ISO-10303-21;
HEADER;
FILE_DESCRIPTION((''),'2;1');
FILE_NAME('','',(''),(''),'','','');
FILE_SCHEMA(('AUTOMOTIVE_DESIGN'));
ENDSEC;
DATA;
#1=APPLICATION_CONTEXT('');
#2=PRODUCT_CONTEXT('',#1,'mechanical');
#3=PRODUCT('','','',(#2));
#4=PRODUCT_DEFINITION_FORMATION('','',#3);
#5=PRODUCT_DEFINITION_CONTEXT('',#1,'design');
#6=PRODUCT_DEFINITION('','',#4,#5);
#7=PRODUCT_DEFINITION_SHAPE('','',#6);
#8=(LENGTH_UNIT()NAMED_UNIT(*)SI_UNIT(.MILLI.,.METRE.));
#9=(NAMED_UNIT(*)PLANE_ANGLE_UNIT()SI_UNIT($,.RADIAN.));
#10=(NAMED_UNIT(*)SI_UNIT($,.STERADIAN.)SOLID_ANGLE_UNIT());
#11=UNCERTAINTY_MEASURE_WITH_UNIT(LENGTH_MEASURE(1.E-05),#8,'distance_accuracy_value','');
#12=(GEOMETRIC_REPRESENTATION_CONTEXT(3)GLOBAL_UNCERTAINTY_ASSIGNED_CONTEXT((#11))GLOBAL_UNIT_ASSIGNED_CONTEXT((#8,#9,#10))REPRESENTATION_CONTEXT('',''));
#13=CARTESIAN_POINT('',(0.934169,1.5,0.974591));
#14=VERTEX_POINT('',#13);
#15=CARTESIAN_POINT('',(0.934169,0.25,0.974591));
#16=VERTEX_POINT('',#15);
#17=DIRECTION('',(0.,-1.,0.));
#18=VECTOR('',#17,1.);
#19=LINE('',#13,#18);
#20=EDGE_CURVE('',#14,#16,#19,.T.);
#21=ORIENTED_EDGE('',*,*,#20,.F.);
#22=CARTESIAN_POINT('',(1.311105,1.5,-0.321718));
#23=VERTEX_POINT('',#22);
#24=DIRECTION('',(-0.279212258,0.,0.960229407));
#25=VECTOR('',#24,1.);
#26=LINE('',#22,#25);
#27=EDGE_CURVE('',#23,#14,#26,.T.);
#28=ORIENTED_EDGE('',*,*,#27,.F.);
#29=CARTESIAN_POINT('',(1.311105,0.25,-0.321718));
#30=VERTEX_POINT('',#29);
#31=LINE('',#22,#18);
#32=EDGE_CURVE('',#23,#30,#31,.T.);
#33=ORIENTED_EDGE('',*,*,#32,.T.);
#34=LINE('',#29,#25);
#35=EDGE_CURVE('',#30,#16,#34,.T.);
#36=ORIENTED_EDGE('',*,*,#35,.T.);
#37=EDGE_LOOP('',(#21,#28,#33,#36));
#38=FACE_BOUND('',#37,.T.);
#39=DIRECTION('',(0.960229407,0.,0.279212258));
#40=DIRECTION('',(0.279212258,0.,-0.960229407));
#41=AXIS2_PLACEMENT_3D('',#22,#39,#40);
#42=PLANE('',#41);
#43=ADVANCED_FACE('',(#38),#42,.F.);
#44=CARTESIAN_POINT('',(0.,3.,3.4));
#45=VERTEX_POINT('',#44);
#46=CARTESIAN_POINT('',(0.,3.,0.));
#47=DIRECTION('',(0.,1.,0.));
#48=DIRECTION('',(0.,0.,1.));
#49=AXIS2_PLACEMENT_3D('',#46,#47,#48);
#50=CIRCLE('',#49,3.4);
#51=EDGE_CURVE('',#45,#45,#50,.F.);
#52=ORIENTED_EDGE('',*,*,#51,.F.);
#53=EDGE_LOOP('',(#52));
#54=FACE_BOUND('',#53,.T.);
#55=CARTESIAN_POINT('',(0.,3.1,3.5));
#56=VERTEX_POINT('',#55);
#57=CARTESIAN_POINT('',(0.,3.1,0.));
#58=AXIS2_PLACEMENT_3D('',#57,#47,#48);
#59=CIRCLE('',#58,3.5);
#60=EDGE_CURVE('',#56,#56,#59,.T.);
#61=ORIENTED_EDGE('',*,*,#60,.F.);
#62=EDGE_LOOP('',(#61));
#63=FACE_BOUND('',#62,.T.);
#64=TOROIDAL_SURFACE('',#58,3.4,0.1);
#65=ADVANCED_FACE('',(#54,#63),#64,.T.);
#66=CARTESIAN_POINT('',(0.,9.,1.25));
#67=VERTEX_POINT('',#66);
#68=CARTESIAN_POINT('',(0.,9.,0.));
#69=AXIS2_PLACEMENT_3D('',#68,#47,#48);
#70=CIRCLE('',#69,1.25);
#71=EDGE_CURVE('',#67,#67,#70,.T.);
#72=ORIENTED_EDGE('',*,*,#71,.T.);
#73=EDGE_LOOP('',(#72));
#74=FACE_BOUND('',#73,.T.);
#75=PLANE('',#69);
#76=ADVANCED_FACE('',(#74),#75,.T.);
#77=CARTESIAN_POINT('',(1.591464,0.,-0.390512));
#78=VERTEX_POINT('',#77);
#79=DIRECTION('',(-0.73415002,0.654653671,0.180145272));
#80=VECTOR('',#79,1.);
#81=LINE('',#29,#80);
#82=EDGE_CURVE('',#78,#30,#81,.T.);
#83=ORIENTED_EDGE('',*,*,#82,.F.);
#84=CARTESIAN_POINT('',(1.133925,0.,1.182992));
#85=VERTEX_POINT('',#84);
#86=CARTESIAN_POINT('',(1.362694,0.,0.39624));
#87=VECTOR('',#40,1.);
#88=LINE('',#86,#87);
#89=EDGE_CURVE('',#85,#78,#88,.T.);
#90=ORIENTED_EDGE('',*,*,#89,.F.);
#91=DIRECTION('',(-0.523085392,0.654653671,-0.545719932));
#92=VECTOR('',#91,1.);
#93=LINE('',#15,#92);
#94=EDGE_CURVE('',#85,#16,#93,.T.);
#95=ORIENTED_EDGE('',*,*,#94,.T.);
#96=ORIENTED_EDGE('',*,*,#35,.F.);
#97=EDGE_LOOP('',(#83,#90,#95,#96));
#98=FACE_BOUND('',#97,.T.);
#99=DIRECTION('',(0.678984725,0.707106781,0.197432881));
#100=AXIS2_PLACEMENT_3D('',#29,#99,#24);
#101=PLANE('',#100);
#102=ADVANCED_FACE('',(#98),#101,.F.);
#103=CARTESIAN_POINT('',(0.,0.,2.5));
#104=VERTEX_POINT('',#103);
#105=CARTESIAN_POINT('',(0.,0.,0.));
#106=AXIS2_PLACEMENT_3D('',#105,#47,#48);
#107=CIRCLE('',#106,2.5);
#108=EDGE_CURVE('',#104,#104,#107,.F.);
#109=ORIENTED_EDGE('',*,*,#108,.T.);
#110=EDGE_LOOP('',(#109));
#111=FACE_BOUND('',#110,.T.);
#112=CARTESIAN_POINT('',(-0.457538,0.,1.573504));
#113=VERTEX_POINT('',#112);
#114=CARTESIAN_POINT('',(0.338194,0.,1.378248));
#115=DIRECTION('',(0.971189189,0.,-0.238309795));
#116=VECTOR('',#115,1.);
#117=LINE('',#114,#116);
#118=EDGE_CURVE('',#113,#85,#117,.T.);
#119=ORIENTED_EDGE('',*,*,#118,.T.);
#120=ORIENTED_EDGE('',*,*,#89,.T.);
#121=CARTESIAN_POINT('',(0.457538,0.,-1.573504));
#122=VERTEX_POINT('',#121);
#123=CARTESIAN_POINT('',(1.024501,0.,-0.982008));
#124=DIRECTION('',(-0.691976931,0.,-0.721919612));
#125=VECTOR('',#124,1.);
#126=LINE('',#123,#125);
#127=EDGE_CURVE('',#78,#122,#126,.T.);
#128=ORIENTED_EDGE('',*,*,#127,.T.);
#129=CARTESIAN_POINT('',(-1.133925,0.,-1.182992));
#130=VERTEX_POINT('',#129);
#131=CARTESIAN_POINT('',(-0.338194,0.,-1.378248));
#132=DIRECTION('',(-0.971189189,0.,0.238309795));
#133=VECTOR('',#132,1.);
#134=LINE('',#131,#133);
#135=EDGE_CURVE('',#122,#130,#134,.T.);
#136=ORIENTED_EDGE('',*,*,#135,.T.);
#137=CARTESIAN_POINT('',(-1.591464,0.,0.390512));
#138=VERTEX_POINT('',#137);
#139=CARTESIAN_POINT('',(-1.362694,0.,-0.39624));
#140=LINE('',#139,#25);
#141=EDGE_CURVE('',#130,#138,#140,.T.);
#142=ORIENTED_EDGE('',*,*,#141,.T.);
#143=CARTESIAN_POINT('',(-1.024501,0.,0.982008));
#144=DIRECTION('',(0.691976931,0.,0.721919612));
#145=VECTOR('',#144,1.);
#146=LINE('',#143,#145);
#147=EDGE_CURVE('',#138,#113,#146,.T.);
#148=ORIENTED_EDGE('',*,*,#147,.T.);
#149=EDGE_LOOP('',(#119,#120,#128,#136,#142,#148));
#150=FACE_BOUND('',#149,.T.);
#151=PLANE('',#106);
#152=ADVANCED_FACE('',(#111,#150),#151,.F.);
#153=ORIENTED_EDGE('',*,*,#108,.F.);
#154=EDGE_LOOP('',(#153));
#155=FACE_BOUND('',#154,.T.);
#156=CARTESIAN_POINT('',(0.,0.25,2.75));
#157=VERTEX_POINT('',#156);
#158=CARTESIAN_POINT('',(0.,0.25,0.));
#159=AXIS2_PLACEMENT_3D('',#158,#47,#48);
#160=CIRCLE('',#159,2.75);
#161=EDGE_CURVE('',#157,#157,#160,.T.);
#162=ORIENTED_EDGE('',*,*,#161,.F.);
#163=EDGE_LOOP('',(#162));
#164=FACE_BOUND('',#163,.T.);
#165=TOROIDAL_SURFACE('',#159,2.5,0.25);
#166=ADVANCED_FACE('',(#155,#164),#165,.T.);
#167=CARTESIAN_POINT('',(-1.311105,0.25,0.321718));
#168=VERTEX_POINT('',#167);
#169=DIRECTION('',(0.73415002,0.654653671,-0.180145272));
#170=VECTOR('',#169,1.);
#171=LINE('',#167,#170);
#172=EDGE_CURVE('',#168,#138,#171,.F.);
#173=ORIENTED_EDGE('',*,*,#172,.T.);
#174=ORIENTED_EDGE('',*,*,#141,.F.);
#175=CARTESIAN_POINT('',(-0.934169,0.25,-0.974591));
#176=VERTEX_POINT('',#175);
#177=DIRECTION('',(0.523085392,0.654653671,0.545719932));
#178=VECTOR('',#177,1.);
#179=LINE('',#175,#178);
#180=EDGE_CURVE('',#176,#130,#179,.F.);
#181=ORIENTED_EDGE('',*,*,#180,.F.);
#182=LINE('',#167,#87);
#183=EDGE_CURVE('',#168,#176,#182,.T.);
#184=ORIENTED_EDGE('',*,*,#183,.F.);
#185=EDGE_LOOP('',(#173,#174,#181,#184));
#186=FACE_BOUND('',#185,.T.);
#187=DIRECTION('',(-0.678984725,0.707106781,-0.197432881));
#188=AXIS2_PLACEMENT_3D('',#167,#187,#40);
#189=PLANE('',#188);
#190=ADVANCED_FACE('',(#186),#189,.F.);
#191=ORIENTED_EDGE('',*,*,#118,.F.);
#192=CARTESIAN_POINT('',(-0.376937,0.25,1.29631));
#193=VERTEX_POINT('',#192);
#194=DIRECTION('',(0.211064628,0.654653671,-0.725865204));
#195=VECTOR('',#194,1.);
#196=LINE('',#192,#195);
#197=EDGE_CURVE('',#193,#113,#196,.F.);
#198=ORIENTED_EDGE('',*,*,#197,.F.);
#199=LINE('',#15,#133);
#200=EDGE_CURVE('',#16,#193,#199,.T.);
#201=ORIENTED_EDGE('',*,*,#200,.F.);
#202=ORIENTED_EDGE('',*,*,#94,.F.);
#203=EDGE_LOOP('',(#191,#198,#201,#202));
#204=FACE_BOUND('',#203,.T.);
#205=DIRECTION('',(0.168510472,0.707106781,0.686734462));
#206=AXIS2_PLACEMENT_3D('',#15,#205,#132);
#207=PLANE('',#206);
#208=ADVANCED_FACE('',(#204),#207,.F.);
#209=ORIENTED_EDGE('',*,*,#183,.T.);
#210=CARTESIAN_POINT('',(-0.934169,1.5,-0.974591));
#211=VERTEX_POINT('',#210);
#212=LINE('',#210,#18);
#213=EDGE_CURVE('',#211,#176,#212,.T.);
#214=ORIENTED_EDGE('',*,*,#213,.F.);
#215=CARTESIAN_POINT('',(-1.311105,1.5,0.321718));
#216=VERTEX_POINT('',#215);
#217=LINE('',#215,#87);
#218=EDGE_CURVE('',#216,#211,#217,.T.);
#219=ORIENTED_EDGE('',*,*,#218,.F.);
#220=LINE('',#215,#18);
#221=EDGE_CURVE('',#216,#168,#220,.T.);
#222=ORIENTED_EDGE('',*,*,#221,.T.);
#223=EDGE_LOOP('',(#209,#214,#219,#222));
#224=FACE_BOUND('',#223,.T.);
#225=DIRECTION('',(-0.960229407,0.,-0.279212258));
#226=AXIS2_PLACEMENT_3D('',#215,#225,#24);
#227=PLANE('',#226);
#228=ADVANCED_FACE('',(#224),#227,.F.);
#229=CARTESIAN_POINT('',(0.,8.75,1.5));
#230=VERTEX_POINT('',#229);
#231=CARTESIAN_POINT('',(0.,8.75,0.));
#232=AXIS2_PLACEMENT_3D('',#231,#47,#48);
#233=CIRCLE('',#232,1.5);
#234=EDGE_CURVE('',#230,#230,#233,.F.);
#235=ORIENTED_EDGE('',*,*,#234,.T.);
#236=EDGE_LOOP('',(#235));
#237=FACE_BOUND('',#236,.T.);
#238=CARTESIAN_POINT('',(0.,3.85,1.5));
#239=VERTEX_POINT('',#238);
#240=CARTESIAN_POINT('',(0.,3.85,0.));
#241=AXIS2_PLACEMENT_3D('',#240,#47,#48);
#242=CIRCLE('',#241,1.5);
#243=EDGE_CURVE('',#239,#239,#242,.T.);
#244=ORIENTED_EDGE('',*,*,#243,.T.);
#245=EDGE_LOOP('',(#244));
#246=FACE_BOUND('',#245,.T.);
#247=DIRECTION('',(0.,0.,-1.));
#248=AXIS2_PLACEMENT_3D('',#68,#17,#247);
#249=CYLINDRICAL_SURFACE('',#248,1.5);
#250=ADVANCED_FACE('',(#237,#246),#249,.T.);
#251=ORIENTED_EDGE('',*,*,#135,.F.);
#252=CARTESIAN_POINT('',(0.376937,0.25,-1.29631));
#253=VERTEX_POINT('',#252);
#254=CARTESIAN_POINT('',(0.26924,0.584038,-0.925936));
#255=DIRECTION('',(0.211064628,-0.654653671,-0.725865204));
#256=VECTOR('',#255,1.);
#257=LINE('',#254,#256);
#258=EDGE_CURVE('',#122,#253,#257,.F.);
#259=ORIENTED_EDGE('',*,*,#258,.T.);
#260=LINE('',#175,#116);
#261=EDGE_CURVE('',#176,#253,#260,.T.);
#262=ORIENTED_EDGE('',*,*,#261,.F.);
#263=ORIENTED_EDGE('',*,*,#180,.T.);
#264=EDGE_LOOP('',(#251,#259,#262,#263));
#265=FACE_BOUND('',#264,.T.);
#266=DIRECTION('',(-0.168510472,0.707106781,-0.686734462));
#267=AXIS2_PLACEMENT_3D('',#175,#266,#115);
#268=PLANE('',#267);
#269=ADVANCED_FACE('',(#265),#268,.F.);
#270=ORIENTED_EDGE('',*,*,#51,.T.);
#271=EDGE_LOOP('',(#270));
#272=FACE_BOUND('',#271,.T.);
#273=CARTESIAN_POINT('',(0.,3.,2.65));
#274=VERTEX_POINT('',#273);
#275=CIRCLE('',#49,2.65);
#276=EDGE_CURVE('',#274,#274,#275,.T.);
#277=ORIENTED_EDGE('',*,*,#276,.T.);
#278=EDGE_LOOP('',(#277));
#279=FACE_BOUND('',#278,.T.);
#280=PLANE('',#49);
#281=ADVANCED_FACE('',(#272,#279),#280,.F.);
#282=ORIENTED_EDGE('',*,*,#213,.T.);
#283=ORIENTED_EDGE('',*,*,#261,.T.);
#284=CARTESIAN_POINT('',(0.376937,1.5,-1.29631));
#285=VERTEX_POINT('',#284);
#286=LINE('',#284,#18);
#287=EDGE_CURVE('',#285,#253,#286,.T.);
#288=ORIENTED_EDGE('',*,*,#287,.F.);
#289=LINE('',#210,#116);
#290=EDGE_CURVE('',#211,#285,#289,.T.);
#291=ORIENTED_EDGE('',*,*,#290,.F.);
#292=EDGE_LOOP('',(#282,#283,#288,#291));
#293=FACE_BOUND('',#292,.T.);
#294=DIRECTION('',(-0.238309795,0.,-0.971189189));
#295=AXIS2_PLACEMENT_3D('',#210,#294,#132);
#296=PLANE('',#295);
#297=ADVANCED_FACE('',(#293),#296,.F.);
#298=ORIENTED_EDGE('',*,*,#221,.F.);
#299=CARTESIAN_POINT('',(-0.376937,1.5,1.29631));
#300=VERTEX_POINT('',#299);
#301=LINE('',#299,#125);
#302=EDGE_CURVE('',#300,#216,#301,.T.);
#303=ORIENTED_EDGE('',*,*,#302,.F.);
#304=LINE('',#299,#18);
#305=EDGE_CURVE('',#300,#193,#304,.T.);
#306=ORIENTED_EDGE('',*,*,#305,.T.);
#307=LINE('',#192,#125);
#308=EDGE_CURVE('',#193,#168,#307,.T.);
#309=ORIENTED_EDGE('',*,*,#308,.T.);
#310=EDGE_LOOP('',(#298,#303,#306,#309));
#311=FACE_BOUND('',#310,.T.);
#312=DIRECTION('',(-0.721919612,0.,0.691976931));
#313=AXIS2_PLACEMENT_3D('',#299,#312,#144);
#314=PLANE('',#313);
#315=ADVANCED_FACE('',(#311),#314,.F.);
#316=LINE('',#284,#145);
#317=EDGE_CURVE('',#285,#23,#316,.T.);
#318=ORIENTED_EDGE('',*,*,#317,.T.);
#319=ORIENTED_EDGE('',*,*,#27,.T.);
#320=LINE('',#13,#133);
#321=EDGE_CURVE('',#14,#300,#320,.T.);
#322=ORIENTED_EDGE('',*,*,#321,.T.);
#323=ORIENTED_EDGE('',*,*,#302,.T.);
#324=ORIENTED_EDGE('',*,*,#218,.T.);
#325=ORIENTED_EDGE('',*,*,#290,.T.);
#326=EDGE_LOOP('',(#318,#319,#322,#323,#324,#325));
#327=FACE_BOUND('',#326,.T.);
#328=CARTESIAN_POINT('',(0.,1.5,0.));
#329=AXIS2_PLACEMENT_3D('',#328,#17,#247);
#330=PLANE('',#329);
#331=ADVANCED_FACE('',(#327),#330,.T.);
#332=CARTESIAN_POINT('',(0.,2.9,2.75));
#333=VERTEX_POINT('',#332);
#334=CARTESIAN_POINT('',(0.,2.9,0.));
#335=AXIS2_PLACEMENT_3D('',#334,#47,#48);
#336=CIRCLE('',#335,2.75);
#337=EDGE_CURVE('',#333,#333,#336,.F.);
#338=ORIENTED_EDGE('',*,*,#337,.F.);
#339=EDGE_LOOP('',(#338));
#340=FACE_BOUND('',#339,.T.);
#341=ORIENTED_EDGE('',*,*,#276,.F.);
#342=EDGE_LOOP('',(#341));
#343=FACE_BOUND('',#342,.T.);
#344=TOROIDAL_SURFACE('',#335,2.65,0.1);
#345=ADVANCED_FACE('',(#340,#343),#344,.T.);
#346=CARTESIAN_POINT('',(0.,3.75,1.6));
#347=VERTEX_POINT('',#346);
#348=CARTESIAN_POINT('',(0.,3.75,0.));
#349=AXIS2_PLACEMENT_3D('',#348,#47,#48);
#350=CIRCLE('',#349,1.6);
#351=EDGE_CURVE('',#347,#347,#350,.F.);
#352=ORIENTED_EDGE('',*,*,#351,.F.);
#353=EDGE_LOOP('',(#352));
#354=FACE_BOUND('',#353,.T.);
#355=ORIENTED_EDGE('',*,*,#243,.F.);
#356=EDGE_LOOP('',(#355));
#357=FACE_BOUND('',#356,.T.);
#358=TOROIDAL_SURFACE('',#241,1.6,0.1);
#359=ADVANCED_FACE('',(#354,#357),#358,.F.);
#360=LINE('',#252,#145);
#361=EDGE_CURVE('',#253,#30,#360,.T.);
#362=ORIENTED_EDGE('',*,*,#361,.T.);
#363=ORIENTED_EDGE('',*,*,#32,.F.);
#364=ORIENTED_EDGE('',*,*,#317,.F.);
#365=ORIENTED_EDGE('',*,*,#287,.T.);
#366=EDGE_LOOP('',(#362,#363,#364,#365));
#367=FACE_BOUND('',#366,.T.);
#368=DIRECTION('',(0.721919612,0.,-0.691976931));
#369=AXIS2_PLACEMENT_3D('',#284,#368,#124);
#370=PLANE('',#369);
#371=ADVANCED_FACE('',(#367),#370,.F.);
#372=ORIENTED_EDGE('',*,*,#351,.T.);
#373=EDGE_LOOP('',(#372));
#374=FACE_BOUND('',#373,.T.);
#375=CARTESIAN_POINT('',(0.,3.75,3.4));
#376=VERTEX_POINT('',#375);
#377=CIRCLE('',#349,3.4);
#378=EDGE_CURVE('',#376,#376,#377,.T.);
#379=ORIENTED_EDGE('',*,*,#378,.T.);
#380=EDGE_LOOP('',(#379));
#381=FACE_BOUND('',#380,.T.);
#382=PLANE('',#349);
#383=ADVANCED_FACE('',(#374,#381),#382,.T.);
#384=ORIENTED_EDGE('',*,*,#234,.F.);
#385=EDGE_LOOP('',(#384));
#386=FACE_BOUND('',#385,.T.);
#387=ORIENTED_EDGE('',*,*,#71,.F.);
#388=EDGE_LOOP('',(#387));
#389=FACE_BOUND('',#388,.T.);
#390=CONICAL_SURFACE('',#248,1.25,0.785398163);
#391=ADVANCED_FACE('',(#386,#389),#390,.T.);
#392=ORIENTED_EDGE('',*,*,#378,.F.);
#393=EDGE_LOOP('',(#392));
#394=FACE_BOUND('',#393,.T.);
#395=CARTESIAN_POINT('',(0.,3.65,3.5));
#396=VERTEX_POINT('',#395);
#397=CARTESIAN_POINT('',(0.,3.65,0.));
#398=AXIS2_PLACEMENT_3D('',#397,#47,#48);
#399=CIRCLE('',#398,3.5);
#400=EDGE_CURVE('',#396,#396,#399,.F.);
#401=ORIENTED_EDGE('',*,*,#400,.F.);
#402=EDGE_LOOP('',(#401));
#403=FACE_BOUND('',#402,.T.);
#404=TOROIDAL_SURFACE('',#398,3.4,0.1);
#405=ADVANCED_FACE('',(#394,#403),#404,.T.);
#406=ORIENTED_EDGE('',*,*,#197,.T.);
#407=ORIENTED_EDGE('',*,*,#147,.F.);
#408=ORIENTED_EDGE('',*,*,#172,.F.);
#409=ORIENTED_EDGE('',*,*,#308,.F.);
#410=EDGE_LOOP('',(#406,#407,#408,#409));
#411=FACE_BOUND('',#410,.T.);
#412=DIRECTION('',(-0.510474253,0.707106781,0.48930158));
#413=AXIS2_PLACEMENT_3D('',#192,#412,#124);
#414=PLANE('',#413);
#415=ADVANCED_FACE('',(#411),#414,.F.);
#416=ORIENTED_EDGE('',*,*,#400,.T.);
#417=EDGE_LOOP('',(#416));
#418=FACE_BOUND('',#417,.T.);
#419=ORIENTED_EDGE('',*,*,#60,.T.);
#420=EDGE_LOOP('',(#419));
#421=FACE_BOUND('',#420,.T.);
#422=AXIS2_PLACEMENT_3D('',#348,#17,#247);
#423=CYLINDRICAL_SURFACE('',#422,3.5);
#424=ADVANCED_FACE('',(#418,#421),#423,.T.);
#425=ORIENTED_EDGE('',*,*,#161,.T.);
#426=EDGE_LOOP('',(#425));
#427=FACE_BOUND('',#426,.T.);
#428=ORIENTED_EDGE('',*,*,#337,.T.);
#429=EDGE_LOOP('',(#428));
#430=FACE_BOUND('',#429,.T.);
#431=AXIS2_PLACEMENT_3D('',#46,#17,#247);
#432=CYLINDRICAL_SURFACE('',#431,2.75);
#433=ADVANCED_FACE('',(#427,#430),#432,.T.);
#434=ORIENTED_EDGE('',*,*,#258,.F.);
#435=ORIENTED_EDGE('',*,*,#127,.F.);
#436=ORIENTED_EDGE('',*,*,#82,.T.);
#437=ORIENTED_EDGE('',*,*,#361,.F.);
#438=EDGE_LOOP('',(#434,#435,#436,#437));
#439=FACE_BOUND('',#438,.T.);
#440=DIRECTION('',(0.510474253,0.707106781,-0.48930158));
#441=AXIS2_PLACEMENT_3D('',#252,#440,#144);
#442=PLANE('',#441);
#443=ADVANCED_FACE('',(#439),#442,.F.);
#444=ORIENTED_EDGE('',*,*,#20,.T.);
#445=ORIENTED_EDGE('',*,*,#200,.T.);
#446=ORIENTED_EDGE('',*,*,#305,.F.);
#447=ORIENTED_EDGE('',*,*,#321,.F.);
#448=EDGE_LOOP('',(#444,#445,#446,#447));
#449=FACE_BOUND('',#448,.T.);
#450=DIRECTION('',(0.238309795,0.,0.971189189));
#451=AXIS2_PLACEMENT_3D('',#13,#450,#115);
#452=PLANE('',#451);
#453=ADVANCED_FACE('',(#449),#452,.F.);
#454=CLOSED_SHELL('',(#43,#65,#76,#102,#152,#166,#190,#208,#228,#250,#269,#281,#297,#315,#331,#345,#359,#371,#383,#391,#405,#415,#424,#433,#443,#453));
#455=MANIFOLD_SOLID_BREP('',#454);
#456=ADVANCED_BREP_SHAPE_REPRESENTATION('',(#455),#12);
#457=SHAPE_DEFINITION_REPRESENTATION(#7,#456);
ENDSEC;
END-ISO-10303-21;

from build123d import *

# Parameters (mm, degrees)
SKETCH1_R           = 2.75
BOSS_EXTRUDE1_DEPTH = 3
SKETCH2_R           = 1.5
BOSS_EXTRUDE2_DEPTH = 6
CUT_EXTRUDE1_DEPTH  = 1.5
CHAMFER1_SIZE       = 0.25
FILLET1_R           = 0.25
CHAMFER2_SIZE       = 0.25
FILLET2_R           = 0.1
SKETCH4_R           = 3.5
SKETCH4_R_2         = 1.5
BOSS_EXTRUDE3_DEPTH = 0.75
FILLET3_R           = 0.1


with BuildPart() as part:
    # Sketch1 → Boss-Extrude1 (new body)
    with BuildSketch(Plane(origin=(0, 0, 0), x_dir=(1, 0, 0), z_dir=(0, 1, 0))):
        with Locations(Location((0, 0, 0), (0, 0, 270))):
            Circle(SKETCH1_R)
    extrude(amount=BOSS_EXTRUDE1_DEPTH)

    # Sketch2 → Boss-Extrude2 (add)
    with BuildSketch(Plane(origin=(0, 3, 0), x_dir=(1, 0, 0), z_dir=(0, 1, 0))):
        with Locations(Location((0, 0, 0), (0, 0, 270))):
            Circle(SKETCH2_R)
    extrude(amount=BOSS_EXTRUDE2_DEPTH)

    # Sketch3 → Cut-Extrude1 (cut)
    with BuildSketch(Plane.XZ):
        Polygon((0.934168857, 0.974591477), (-0.376936549, 1.2963097), (-1.311105406, 0.321718223), (-0.934168857, -0.974591477), (0.376936549, -1.2963097), (1.311105406, -0.321718223), align=None)
    extrude(amount=-CUT_EXTRUDE1_DEPTH, mode=Mode.SUBTRACT)

    # Chamfer1
    chamfer1_edges = [part.edges().sort_by_distance(p)[0] for p in [
        (1.122637131, 0, 0.326436627),
        (0.278616154, 0, 1.135450588),
        (-0.844020977, 0, 0.809013962),
        (-1.122637131, 0, -0.326436627),
        (-0.278616154, 0, -1.135450588),
        (0.844020977, 0, -0.809013962),
    ]]
    chamfer(chamfer1_edges, length=CHAMFER1_SIZE)

    # Fillet1
    fillet1_edges = [part.edges().sort_by_distance(p)[0] for p in [
        (0, 0, -2.75),
    ]]
    fillet(fillet1_edges, radius=FILLET1_R)

    # Chamfer2
    chamfer2_edges = [part.edges().sort_by_distance(p)[0] for p in [
        (0, 9, -1.5),
    ]]
    chamfer(chamfer2_edges, length=CHAMFER2_SIZE)

    # Fillet2
    fillet2_edges = [part.edges().sort_by_distance(p)[0] for p in [
        (0, 3, -2.75),
    ]]
    fillet(fillet2_edges, radius=FILLET2_R)

    # Sketch4 → Boss-Extrude3 (add)
    with BuildSketch(Plane(origin=(0, 3, 0), x_dir=(1, 0, 0), z_dir=(0, 1, 0))):
        with Locations(Location((0, 0, 0), (0, 0, 270))):
            Circle(SKETCH4_R)
        with Locations(Location((0, 0, 0), (0, 0, 270))):
            Circle(SKETCH4_R_2, mode=Mode.SUBTRACT)
    extrude(amount=BOSS_EXTRUDE3_DEPTH)

    # Fillet3
    fillet3_edges = [part.edges().sort_by_distance(p)[0] for p in [
        (0, 3.75, -3.5),
        (0, 3, -3.5),
        (0, 3.75, -1.5),
    ]]
    fillet(fillet3_edges, radius=FILLET3_R)


solid = part.part
